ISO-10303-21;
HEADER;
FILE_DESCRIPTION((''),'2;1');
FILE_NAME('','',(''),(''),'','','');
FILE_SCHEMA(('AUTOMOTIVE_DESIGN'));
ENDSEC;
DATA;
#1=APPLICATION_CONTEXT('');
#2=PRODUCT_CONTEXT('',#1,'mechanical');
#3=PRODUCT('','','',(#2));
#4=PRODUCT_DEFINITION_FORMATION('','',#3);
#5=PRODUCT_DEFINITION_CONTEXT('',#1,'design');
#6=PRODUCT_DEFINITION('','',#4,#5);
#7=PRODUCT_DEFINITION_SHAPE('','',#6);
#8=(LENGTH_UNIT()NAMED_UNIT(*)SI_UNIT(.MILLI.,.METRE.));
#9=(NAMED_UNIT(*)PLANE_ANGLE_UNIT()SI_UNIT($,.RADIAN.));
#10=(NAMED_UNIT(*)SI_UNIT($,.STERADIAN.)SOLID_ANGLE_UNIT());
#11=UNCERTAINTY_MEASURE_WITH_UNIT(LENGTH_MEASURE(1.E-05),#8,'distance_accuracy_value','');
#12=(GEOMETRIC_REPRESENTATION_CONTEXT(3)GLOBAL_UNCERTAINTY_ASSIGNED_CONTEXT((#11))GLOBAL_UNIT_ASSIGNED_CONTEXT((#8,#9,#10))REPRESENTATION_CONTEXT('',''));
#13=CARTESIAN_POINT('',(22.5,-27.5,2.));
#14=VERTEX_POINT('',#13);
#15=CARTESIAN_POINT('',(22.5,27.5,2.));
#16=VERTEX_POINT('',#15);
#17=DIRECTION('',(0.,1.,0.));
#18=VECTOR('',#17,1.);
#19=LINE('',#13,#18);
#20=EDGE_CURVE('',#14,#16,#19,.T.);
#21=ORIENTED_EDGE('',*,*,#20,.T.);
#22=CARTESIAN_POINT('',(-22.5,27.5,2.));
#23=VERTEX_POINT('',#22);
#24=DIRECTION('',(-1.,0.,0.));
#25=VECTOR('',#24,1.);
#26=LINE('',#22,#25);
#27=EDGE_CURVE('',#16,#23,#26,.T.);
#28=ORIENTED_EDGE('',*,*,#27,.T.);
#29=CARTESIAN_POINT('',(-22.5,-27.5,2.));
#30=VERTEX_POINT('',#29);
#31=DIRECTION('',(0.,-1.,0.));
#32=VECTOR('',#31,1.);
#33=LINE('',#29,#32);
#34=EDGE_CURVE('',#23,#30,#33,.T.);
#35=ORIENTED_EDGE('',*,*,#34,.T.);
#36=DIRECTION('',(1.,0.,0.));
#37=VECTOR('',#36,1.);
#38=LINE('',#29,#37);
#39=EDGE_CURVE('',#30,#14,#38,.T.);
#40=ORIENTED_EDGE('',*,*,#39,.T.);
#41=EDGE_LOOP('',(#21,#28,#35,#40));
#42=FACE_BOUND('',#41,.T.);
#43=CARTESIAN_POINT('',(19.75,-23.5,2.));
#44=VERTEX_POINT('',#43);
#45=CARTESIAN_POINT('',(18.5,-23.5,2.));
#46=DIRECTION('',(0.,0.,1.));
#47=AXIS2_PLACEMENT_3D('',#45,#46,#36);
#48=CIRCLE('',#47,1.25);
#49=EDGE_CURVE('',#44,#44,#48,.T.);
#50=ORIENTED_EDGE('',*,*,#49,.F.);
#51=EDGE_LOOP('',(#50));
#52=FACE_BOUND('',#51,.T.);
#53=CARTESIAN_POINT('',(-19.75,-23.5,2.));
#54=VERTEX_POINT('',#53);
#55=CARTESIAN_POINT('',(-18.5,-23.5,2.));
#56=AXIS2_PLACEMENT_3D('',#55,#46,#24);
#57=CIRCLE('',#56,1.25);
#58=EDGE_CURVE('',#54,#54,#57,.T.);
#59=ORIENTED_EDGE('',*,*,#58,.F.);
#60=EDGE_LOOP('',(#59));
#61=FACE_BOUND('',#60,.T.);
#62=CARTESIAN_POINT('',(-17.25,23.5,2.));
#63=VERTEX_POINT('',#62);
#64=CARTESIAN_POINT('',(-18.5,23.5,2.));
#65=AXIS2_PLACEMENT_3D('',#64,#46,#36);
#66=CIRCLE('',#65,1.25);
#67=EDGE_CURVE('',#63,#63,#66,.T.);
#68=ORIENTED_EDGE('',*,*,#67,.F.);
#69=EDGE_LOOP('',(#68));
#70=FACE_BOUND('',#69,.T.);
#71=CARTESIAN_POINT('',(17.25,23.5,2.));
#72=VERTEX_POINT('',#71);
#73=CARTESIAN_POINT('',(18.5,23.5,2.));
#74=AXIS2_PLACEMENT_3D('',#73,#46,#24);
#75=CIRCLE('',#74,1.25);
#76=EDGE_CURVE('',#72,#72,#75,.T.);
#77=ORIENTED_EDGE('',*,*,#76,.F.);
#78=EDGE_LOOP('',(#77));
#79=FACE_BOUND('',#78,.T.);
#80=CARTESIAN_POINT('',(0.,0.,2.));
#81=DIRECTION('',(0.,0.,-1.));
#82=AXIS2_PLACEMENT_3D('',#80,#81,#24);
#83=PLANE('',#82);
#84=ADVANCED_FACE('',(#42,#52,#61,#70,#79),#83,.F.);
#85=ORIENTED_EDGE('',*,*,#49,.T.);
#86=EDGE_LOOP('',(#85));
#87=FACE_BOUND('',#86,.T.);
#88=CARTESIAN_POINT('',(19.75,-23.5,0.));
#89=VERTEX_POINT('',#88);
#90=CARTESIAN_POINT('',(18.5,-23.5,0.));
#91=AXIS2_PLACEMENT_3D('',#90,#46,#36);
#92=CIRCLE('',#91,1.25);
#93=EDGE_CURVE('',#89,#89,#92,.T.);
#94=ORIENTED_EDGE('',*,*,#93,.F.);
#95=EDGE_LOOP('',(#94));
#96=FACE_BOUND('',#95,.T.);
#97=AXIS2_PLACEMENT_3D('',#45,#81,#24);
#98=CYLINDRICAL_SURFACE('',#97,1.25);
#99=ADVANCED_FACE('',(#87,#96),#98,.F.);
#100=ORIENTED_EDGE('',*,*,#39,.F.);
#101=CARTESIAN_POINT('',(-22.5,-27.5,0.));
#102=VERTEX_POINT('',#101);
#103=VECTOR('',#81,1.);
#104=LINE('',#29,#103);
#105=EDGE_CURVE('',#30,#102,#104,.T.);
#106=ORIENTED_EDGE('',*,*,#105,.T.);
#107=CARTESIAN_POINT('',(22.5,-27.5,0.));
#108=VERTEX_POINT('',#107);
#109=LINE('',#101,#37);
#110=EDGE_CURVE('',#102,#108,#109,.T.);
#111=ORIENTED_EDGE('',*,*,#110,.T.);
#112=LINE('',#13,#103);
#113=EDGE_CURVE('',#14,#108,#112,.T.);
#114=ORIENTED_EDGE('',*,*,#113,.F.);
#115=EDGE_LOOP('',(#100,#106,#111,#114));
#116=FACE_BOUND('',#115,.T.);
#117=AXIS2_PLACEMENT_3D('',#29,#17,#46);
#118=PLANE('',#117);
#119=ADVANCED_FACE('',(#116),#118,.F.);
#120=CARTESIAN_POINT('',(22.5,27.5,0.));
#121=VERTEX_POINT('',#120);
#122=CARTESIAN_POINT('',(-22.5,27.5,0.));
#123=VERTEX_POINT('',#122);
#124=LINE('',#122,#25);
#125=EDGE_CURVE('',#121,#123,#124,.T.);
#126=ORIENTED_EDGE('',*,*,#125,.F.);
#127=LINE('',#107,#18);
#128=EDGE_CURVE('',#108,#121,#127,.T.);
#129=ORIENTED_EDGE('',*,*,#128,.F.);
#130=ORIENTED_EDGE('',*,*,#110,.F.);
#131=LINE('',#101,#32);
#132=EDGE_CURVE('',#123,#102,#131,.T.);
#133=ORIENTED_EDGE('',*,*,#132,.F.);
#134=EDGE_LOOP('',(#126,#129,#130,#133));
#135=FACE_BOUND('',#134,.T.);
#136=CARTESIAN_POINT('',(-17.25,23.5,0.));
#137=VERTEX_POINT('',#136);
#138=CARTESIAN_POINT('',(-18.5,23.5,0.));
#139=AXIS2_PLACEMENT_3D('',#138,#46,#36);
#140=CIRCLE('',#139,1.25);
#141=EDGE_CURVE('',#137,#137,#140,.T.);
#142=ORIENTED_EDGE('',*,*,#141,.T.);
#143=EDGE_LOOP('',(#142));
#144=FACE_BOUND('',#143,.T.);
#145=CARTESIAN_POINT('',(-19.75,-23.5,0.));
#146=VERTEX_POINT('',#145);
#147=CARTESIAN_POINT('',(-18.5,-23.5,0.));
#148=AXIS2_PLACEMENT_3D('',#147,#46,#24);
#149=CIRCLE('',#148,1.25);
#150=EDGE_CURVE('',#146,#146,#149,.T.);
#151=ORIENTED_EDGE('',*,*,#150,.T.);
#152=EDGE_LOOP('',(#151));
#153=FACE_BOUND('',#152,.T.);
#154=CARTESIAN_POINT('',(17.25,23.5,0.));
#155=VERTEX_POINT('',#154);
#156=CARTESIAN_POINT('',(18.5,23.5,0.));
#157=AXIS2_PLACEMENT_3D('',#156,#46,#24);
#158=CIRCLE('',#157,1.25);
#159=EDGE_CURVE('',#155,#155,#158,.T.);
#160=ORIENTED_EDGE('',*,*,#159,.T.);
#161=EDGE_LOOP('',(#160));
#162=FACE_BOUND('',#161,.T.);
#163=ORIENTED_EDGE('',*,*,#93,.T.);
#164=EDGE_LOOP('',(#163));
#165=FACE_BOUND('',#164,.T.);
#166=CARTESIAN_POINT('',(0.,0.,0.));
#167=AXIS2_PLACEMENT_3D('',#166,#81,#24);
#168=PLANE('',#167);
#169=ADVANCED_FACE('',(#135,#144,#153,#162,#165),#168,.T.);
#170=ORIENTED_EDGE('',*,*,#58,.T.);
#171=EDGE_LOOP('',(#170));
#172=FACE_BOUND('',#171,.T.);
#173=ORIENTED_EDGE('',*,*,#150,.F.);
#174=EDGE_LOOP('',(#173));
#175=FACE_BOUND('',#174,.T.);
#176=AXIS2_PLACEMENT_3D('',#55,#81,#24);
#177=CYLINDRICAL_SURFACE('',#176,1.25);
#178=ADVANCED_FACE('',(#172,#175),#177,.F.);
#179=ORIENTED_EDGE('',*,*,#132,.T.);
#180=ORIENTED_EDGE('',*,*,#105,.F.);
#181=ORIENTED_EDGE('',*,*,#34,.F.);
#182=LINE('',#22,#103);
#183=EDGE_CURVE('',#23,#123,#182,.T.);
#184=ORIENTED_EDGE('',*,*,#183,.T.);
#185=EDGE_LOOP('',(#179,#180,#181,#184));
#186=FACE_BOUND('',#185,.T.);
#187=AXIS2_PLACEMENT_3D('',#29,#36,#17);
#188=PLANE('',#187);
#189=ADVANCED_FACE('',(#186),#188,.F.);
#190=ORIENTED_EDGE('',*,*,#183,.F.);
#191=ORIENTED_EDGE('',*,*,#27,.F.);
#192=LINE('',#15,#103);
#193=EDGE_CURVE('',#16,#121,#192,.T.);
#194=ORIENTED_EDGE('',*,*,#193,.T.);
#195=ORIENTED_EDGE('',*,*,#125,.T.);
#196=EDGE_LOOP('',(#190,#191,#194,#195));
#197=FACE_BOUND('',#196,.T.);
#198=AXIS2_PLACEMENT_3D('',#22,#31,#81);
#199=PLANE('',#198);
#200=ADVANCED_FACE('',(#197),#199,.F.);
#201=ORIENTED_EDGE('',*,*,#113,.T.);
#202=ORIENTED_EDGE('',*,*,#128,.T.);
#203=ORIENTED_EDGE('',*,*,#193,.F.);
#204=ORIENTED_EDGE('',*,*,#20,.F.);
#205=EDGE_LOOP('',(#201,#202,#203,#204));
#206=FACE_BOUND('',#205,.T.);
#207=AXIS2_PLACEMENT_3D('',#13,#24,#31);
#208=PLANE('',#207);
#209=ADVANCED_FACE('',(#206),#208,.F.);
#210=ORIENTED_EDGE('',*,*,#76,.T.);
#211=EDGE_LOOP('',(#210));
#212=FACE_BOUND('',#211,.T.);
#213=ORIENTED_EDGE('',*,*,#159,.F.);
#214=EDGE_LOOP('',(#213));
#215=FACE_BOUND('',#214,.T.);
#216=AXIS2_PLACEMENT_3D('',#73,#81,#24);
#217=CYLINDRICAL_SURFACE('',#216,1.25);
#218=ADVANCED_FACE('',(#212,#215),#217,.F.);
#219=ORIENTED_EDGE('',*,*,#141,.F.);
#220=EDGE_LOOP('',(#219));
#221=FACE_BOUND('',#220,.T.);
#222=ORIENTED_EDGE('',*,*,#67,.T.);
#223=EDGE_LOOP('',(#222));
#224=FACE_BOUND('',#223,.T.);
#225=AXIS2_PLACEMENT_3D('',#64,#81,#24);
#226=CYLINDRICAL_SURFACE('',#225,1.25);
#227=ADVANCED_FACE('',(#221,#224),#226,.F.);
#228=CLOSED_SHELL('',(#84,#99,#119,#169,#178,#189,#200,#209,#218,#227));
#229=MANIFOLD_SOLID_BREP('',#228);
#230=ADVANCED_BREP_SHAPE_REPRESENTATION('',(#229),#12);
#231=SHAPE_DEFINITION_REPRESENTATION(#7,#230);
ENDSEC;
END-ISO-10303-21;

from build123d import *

# Parameters (mm, degrees)
CROQUIS1_W              = 45
CROQUIS1_H              = 55
CROQUIS1_R              = 1.25
SALIENTE_EXTRUIR1_DEPTH = 2


with BuildPart() as part:
    # Croquis1 → Saliente-Extruir1 (new body)
    with BuildSketch(Plane.XY):
        Rectangle(CROQUIS1_W, CROQUIS1_H)
        with Locations((-18.5, 23.5)):
            Circle(CROQUIS1_R, mode=Mode.SUBTRACT)
        with Locations((18.5, 23.5)):
            Circle(CROQUIS1_R, mode=Mode.SUBTRACT)
        with Locations((18.5, -23.5)):
            Circle(CROQUIS1_R, mode=Mode.SUBTRACT)
        with Locations((-18.5, -23.5)):
            Circle(CROQUIS1_R, mode=Mode.SUBTRACT)
    extrude(amount=SALIENTE_EXTRUIR1_DEPTH)


solid = part.part
